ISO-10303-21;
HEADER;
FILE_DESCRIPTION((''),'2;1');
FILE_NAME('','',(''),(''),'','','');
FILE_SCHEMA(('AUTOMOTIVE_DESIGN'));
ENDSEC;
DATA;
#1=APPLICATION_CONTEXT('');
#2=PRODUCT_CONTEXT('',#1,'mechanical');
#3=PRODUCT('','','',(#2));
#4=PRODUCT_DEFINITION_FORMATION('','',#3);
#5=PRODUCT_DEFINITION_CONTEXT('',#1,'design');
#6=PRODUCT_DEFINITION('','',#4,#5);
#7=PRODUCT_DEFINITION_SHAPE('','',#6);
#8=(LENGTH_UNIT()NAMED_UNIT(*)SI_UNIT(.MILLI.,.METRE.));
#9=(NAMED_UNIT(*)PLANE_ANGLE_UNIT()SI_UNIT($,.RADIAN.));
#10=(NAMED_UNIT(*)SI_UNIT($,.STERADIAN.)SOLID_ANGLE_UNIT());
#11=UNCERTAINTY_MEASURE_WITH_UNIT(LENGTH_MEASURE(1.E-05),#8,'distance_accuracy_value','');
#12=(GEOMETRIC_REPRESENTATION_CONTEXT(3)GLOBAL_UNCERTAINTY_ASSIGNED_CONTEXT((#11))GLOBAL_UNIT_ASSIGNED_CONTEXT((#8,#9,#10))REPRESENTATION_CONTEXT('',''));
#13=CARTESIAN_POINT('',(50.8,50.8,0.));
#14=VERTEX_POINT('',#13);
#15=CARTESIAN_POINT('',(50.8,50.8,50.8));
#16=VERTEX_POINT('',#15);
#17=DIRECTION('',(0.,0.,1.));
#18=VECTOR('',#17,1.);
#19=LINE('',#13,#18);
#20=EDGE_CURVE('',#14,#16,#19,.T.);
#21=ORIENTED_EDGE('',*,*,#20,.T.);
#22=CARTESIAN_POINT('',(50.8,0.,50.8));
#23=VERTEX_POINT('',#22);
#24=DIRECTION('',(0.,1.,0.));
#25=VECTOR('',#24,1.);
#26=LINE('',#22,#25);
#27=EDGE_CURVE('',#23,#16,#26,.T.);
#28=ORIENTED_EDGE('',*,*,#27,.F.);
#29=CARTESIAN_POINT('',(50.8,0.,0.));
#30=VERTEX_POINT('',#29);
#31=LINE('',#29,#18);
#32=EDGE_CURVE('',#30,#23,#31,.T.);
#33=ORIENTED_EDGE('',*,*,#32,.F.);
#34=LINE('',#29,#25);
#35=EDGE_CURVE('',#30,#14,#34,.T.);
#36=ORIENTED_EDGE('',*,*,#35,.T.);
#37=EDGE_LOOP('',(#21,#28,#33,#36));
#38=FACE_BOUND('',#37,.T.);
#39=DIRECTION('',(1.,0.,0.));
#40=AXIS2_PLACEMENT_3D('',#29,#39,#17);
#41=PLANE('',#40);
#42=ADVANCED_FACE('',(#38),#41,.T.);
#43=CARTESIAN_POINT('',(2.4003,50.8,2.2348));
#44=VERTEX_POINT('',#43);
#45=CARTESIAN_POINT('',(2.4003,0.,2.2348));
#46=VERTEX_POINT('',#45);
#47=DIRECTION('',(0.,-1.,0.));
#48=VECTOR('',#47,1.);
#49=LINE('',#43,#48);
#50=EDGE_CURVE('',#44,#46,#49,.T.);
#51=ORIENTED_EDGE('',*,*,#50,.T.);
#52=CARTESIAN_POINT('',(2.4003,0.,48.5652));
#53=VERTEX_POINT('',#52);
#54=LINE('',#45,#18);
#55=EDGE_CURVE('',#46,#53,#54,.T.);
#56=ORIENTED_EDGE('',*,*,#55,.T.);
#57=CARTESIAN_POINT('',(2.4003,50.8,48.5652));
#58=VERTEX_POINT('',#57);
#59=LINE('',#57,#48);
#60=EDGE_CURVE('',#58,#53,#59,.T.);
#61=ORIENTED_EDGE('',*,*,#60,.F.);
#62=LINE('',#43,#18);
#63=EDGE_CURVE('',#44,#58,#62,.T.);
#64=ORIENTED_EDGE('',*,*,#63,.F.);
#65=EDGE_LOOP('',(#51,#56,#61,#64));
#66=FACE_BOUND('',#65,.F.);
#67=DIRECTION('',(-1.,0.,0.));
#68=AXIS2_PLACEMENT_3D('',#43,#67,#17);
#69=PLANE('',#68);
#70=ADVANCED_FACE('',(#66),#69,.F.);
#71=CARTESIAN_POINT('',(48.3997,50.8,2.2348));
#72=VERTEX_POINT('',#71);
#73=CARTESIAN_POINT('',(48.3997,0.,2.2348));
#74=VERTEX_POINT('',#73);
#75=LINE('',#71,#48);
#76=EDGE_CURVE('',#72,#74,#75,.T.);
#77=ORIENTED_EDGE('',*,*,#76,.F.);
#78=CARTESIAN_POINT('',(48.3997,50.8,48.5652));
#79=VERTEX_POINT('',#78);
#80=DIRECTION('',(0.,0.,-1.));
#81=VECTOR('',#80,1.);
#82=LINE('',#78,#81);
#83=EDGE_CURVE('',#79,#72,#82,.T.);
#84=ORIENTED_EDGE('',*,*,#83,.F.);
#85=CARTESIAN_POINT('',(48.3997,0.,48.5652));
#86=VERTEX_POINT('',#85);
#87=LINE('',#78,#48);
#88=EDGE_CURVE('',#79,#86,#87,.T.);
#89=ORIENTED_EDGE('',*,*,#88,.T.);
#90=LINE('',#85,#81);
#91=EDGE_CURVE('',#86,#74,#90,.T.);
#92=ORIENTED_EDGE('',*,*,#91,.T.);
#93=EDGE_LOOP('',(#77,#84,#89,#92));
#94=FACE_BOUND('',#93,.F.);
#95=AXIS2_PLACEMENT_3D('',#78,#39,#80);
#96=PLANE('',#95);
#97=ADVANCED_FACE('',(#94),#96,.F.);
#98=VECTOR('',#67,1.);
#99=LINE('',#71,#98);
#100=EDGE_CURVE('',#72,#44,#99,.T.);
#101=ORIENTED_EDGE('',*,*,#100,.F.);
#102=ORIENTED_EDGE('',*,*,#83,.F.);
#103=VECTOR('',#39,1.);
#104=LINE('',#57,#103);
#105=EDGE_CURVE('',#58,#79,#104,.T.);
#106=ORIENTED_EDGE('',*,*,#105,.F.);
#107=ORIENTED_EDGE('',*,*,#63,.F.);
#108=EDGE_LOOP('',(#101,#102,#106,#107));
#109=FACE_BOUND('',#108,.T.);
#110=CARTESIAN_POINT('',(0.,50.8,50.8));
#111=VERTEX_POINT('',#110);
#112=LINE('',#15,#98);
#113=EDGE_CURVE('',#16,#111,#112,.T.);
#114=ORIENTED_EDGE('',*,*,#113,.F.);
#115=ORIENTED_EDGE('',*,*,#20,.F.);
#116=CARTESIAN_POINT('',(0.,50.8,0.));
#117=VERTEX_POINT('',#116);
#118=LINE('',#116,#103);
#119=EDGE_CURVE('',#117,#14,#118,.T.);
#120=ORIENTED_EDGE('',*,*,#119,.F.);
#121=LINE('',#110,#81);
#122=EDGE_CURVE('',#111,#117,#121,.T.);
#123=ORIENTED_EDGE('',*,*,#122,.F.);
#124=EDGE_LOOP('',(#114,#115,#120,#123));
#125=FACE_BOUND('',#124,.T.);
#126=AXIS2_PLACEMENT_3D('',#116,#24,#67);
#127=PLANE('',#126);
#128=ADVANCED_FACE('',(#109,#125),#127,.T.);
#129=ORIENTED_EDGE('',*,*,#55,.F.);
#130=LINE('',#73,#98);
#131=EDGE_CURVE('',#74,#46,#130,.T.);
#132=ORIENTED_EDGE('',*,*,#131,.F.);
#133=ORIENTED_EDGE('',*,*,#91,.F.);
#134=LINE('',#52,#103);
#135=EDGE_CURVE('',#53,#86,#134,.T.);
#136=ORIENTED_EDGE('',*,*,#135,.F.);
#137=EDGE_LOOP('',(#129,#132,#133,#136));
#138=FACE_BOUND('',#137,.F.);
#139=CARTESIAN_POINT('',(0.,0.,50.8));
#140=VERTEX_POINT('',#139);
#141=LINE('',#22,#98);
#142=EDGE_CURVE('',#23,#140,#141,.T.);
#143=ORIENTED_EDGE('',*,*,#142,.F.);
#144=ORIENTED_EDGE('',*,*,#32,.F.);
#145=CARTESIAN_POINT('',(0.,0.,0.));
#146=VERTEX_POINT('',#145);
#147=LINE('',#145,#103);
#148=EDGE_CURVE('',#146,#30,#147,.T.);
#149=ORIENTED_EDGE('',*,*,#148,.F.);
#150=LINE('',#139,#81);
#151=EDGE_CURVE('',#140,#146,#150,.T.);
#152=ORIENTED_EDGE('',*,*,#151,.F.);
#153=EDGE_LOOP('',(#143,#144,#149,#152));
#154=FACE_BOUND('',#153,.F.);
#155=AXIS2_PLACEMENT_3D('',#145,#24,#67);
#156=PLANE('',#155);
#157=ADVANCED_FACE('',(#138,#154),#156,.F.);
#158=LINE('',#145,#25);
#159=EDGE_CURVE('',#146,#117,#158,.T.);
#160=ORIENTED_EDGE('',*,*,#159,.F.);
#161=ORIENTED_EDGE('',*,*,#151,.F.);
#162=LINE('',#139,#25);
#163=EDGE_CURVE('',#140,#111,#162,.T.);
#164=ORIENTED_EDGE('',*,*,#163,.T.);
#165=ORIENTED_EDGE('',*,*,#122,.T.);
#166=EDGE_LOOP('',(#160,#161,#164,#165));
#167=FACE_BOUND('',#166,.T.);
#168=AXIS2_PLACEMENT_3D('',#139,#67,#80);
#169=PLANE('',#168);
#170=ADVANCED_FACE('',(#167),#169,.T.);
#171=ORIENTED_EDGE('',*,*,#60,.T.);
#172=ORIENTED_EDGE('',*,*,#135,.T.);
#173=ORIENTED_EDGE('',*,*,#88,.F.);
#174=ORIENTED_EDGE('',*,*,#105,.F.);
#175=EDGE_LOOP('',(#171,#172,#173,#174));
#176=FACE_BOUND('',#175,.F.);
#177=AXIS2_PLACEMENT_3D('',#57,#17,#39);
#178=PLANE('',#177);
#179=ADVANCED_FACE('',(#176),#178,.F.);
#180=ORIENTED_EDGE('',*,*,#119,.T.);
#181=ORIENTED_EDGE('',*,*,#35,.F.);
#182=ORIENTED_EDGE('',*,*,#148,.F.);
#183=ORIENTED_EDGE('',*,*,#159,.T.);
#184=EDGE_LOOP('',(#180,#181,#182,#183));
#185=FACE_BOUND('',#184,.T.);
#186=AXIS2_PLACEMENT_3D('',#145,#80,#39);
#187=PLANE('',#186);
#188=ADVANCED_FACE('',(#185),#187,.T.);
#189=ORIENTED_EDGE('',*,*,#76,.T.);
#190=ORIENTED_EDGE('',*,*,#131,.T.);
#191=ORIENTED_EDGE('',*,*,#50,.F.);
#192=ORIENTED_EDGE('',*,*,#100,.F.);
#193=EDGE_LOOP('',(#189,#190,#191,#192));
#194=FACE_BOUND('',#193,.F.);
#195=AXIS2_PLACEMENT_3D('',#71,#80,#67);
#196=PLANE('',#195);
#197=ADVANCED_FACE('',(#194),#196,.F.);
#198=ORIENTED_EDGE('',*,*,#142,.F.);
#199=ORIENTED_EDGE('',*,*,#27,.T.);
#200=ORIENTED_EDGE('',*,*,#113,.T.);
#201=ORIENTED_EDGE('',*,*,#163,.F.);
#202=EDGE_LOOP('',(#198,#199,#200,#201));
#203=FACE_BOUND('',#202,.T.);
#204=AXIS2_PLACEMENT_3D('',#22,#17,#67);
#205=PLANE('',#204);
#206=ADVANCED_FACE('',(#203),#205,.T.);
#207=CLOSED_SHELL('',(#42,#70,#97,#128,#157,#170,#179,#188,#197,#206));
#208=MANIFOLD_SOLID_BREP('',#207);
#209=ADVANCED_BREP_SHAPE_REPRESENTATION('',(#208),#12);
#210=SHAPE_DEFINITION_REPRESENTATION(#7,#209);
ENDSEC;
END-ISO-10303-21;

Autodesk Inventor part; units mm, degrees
ref_plane "YZ Plane" through (0, 0, 0) normal (1, 0, 0) x (0, 1, 0)
ref_plane "XZ Plane" through (0, 0, 0) normal (0, 1, 0) x (-1, 0, 0)
ref_plane "XY Plane" through (0, 0, 0) normal (0, 0, 1) x (1, 0, 0)
sketch "Sketch1" plane through (0, 0, 0) normal (0, 1, 0) x (-1, 0, 0)
  line L0 (0, 0) -> (-50.8, 0)
  line L1 (-50.8, 0) -> (-50.8, 50.8)
  line L2 (-50.8, 50.8) -> (0, 50.8)
  line L3 (0, 50.8) -> (0, 0)
  dimension "d0" = 50.8
  dimension "d1" = 50.8
extrude "Extrusion1" add sketch "Sketch1" along normal blind 50.8
sketch "Sketch2" plane through (0, 50.8, 0) normal (0, 1, 0) x (1, 0, 0)
  line L0 (2.4003, -48.5652) -> (48.3997, -48.5652)
  line L1 (48.3997, -48.5652) -> (48.3997, -2.2348)
  line L2 (48.3997, -2.2348) -> (2.4003, -2.2348)
  line L3 (2.4003, -2.2348) -> (2.4003, -48.5652)
  line L4 (2.4003, -48.5652) -> (48.3997, -2.2348) construction
  line L5 (48.3997, -48.5652) -> (2.4003, -2.2348) construction
  point P0 (0, 0)
  point P1 (25.4, -25.4)
  dimension "d4" = 45.9994
extrude "Extrusion2" cut sketch "Sketch2" against normal blind 50.8
